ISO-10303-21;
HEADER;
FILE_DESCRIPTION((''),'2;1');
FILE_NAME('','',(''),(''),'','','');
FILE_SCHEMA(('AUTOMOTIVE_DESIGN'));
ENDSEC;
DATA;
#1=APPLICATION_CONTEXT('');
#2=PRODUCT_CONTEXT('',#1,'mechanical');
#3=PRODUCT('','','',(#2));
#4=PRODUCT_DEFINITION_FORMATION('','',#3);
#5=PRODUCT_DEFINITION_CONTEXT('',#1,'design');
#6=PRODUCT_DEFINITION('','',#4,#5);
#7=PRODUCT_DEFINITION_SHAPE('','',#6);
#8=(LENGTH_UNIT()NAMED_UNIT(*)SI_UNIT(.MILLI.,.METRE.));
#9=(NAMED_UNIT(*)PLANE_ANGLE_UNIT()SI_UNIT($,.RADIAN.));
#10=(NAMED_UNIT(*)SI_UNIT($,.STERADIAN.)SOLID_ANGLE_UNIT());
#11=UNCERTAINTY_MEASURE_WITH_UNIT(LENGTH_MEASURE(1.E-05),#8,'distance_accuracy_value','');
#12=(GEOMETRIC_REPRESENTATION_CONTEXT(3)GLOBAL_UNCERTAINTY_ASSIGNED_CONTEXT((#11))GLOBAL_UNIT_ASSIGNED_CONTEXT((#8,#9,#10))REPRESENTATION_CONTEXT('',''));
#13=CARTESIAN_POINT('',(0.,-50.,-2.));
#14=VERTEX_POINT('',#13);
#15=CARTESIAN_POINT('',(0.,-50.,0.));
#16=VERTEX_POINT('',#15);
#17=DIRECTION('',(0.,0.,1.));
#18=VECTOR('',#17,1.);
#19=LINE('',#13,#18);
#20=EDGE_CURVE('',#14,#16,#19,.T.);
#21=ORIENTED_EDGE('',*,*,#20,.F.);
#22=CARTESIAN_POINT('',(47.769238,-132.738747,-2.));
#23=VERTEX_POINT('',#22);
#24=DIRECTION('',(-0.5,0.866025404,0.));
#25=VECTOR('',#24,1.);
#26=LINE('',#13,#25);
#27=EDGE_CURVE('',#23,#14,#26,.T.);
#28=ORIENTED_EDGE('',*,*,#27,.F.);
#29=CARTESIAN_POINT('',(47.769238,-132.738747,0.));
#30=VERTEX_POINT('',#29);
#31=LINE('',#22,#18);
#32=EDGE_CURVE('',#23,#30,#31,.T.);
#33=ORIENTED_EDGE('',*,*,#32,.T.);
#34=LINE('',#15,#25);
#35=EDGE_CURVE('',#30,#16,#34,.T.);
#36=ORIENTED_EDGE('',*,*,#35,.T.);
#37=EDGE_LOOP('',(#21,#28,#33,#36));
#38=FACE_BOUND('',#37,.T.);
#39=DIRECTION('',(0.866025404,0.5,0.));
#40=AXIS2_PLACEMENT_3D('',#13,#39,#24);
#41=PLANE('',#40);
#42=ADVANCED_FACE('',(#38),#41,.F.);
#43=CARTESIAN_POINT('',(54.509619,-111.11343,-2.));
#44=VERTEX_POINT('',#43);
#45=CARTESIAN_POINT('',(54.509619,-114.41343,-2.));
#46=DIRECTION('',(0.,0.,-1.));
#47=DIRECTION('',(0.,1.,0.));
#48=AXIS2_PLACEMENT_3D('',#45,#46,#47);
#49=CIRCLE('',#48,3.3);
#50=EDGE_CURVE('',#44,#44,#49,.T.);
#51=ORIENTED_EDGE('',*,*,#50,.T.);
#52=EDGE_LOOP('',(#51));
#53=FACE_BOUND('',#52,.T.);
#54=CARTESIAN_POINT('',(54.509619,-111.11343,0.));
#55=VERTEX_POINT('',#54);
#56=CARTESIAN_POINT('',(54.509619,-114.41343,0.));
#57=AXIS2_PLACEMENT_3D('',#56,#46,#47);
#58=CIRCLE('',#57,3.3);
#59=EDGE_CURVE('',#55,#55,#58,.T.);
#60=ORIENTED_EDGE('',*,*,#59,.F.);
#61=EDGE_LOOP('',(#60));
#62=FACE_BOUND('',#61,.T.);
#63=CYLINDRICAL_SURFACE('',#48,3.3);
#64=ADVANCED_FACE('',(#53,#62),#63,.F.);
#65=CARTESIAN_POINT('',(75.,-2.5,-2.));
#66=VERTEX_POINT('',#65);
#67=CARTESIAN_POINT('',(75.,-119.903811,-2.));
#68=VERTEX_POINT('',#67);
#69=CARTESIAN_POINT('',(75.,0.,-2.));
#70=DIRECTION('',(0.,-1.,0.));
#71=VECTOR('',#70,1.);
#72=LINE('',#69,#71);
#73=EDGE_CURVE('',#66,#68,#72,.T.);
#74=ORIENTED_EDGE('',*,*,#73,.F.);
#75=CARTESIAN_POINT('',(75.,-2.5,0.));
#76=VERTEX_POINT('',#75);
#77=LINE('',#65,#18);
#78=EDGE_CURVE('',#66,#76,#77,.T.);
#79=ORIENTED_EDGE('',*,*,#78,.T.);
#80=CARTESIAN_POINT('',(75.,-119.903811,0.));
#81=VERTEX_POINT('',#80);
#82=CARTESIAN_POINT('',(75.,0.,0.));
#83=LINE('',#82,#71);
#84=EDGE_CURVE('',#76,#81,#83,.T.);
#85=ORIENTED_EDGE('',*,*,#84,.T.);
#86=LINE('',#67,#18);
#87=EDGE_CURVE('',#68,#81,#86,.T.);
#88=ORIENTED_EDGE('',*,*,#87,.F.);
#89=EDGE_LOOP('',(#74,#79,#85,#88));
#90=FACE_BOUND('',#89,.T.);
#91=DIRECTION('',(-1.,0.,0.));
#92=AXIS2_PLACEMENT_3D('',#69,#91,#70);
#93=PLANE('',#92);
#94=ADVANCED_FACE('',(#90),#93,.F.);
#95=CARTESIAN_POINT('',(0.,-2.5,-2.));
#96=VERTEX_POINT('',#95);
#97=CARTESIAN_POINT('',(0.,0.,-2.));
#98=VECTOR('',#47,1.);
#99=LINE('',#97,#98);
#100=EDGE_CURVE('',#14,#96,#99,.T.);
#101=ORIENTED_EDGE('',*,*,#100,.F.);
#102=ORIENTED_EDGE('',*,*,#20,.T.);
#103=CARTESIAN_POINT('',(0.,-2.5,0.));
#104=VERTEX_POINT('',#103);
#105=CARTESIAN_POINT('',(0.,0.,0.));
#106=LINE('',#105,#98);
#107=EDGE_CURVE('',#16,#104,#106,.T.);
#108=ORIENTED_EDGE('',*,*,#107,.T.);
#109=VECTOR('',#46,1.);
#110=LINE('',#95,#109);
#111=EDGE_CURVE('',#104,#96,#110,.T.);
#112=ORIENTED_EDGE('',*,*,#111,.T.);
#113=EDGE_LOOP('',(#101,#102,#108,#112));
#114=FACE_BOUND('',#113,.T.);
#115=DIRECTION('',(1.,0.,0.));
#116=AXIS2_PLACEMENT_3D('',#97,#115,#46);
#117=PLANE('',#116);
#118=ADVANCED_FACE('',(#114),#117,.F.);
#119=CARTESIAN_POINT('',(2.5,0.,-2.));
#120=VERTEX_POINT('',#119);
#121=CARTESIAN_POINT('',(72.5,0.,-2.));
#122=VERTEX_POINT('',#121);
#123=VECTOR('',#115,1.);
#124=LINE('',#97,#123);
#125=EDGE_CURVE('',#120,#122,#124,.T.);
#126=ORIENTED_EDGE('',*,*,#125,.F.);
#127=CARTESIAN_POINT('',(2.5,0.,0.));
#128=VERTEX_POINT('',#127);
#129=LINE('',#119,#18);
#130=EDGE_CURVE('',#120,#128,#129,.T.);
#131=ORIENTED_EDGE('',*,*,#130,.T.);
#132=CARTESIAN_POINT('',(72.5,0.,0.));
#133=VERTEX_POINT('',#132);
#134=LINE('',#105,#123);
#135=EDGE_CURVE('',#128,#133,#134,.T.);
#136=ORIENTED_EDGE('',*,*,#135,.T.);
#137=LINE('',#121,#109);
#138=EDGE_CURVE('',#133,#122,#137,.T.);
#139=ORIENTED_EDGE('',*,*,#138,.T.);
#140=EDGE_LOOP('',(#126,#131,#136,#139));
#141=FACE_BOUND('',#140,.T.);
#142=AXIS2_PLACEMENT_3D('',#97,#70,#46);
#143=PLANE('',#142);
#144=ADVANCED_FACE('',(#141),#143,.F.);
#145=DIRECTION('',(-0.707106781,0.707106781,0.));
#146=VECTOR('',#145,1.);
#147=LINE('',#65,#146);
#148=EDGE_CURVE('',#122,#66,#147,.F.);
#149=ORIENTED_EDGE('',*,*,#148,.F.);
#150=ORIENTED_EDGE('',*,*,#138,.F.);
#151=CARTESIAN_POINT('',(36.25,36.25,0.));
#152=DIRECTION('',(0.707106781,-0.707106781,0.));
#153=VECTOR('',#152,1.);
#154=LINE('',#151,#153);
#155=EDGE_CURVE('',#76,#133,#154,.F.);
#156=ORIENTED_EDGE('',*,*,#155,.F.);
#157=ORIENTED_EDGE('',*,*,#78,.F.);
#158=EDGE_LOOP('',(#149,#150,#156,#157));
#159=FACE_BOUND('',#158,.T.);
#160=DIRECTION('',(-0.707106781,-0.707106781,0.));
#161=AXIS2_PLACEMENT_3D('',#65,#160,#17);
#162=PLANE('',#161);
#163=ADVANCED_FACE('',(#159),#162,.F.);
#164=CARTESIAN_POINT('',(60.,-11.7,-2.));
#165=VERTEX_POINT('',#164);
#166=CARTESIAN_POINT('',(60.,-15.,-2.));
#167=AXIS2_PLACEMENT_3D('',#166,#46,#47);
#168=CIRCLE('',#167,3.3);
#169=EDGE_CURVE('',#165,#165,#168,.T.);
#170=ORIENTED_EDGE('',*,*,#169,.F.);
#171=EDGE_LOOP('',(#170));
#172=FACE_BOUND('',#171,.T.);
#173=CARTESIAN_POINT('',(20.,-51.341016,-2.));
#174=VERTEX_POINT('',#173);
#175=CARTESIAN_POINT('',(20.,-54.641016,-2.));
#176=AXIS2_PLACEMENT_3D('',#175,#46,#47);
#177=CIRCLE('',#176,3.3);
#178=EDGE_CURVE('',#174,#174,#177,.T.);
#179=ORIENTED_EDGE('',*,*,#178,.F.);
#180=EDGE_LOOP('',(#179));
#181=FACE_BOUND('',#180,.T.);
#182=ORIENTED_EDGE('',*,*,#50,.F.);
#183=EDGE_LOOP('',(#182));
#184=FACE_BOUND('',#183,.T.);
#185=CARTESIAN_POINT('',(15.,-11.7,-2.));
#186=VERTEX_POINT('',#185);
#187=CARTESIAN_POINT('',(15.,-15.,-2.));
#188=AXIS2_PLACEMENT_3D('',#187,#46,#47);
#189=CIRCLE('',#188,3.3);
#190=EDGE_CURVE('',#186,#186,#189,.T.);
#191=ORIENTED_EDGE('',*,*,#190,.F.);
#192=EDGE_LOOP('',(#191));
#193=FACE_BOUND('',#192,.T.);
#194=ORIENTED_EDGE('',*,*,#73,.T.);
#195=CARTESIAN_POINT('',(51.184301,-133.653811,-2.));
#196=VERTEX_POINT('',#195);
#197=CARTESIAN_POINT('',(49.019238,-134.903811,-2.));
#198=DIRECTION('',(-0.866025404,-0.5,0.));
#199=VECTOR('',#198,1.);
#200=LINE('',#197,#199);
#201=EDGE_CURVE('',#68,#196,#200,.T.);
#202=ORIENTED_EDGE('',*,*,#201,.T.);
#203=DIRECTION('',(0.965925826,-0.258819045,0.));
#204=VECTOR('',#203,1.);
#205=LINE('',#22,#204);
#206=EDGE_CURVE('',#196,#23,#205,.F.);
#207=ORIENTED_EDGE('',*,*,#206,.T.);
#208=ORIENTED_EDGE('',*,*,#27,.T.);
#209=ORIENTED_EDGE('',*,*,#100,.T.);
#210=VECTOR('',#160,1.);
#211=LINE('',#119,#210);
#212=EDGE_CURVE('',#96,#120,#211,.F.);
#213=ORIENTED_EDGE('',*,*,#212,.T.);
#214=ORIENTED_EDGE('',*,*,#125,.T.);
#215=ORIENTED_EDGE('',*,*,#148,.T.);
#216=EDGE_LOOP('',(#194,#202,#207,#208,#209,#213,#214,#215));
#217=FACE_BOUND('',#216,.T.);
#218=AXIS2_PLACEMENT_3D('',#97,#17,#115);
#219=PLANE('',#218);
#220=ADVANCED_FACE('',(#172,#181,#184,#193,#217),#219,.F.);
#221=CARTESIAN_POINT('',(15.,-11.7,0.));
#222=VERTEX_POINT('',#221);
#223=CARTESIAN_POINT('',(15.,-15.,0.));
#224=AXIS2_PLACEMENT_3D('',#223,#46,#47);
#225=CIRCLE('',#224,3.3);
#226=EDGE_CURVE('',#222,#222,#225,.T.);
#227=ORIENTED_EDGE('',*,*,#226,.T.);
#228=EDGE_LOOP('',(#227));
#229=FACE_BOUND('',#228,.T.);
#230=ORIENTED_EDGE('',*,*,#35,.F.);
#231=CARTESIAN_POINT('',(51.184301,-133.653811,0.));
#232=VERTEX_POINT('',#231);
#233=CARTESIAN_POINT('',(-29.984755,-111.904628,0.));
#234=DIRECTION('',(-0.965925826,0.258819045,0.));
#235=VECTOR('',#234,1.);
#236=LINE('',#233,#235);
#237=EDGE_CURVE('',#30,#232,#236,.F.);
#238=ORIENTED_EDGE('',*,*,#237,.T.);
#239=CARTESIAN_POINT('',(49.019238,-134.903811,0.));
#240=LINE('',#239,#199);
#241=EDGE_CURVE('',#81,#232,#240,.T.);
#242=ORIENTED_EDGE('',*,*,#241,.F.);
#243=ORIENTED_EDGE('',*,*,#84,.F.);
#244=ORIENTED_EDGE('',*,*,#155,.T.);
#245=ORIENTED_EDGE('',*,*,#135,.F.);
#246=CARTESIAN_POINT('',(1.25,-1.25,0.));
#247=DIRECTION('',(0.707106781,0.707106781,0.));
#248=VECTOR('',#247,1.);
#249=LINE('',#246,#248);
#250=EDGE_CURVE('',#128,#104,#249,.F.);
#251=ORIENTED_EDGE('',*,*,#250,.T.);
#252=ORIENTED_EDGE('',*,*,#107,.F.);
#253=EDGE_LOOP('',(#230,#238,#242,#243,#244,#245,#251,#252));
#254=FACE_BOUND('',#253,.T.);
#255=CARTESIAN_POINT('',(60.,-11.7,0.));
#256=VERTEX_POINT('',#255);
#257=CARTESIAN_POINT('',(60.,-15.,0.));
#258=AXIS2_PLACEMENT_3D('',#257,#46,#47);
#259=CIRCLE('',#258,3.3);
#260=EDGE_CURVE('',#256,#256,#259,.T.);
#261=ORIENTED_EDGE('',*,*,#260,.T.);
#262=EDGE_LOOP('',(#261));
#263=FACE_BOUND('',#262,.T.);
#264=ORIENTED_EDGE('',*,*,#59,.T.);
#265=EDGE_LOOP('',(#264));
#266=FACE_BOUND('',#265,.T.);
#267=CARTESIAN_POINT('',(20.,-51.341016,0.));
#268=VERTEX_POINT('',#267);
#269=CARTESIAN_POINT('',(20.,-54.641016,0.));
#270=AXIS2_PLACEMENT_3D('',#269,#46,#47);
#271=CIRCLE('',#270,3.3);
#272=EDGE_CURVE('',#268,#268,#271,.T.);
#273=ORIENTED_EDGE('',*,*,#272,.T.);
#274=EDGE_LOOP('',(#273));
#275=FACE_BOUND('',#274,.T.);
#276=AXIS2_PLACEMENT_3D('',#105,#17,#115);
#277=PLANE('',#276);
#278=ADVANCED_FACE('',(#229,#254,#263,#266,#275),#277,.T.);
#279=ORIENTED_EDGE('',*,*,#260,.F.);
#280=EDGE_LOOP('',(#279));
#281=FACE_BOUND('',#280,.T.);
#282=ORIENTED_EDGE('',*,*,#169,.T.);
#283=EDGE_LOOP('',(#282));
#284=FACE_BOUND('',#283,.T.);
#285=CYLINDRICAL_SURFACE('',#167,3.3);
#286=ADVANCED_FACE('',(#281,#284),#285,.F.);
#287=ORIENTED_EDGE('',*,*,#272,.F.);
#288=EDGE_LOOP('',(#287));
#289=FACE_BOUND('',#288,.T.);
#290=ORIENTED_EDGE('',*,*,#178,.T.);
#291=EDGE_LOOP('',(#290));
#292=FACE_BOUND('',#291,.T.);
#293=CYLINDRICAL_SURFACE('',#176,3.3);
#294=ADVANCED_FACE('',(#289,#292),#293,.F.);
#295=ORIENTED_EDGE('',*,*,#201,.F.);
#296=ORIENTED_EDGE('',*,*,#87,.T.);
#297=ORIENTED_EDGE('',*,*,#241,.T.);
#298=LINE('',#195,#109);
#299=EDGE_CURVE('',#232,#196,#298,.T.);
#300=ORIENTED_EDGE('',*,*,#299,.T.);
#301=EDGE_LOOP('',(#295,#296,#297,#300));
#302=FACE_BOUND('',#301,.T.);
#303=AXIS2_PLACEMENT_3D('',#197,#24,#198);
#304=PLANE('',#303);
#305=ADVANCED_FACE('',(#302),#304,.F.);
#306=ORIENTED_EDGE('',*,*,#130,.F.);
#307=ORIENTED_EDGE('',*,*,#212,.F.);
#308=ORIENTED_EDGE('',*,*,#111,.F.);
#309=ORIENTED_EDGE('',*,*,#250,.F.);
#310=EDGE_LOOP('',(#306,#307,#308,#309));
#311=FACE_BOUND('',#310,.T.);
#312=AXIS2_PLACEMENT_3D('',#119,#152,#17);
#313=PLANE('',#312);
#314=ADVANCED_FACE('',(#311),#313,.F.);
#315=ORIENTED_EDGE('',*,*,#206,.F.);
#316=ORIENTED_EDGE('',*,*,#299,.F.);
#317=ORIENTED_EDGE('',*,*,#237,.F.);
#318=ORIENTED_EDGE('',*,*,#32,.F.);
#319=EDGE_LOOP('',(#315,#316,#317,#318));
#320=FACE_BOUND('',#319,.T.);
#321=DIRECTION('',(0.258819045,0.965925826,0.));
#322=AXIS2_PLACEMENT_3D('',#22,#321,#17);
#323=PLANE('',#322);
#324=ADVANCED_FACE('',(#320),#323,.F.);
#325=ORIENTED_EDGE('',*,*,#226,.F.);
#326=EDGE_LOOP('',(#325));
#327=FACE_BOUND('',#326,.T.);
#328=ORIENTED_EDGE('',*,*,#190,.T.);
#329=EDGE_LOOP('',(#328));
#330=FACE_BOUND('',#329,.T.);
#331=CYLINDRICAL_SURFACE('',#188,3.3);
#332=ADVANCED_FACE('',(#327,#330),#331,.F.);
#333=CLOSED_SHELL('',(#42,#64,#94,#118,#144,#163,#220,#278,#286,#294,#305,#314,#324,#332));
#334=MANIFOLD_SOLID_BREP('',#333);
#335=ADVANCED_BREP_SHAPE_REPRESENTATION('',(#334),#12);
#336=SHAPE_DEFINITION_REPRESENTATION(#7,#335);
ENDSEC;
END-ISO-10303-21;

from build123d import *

# Parameters (mm, degrees)
EXTRUDE_1_DEPTH   = 2
HOLE_WIZARD_M61_D = 6.6
CHAMFER_1_SIZE    = 2.5


with BuildPart() as part:
    # Эскиз3 → Бобышка-Вытянуть1 (new body)
    with BuildSketch(Plane(origin=(0, 0, 0), x_dir=(1, 0, 0), z_dir=(0, 0, -1))):
        Polygon((0, 0), (75, 0), (75, 119.903810568), (49.019237886, 134.903810568), (0, 50), align=None)
    extrude(amount=EXTRUDE_1_DEPTH)

    # Отверстие с зазором M61 (through all)
    with Locations(Plane(origin=(0, 0, -2), x_dir=(1, 0, 0), z_dir=(0, 0, -1))):
        with Locations((15, 15), (60, 15), (20, 54.641016151), (54.509618943, 114.413429511)):
            Hole(HOLE_WIZARD_M61_D / 2)

    # Фаска1
    chamfer_1_edges = [part.edges().sort_by_distance(p)[0] for p in [
        (49.019237886, -134.903810568, -1),
        (75, 0, -1),
        (0, 0, -1),
    ]]
    chamfer(chamfer_1_edges, length=CHAMFER_1_SIZE)


solid = part.part
